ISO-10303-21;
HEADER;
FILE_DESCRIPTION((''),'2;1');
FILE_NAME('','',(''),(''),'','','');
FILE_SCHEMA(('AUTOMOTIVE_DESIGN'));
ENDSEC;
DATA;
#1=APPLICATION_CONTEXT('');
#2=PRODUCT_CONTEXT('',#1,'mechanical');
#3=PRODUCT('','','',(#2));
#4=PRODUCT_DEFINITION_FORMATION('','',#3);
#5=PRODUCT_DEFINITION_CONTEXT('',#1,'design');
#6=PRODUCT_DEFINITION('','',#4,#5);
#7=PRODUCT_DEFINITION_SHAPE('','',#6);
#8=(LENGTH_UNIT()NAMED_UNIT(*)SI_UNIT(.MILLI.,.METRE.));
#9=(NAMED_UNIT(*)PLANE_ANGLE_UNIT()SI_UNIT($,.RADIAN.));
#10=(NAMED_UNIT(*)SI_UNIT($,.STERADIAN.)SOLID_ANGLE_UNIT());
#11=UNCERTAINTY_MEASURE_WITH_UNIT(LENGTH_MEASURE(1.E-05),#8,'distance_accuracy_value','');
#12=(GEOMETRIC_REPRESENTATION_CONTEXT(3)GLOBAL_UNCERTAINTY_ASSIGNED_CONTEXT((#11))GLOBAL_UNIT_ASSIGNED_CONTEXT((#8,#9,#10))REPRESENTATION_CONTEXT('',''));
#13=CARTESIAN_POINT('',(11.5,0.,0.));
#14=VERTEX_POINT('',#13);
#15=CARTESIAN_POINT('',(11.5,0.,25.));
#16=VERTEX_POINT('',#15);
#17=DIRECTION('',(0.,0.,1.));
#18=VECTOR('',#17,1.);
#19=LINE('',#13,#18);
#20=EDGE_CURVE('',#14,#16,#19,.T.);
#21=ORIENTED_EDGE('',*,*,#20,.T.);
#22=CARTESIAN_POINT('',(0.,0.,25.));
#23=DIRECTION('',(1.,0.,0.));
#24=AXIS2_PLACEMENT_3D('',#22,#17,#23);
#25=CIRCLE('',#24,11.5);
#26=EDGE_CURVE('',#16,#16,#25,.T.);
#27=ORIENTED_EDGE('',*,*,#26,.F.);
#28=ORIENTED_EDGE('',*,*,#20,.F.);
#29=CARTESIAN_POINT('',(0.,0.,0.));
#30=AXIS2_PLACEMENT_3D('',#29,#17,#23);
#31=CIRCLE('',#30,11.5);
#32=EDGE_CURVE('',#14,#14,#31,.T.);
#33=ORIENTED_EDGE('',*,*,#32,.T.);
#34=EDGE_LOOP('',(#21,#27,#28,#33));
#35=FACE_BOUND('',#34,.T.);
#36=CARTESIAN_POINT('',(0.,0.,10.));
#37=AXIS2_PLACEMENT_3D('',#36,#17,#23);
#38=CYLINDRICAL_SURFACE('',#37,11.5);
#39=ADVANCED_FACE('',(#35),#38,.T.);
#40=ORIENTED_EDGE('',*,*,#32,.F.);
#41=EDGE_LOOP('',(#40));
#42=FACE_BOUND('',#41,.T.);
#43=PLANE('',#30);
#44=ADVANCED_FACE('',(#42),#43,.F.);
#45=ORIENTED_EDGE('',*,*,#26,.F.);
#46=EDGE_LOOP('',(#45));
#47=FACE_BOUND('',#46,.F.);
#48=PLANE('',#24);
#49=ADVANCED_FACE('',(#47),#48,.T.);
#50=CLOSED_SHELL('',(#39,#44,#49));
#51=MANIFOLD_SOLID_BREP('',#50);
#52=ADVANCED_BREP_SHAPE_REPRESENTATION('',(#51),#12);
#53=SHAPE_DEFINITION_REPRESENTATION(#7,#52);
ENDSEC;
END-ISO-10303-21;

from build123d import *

# Parameters (mm, degrees)
F0_W     = 11.5
F0_H     = 40
F3_DEPTH = 25


with BuildPart() as f1:
    # F0 (on Front) → F1 (revolve)
    with BuildSketch(Plane.XZ):
        with Locations((5.75, 30)):
            Rectangle(F0_W, F0_H)
        Polygon((0, 10), (0, 0), (15, 0), (15, 10), (11.5, 10), align=None)
    revolve(axis=Axis((0, 0, 30), (0, 0, 1)))

    # F3 (cut): faces of the model
    f3_faces = [f1.faces().sort_by_distance(p)[0] for p in [
        (0, 0, 50),
        (-14.5757359313, 0, 10),
        (0, 0, 0),
    ]]
    extrude(f3_faces, amount=-F3_DEPTH, dir=(0, 0, 1), mode=Mode.SUBTRACT)


solid = f1.part
